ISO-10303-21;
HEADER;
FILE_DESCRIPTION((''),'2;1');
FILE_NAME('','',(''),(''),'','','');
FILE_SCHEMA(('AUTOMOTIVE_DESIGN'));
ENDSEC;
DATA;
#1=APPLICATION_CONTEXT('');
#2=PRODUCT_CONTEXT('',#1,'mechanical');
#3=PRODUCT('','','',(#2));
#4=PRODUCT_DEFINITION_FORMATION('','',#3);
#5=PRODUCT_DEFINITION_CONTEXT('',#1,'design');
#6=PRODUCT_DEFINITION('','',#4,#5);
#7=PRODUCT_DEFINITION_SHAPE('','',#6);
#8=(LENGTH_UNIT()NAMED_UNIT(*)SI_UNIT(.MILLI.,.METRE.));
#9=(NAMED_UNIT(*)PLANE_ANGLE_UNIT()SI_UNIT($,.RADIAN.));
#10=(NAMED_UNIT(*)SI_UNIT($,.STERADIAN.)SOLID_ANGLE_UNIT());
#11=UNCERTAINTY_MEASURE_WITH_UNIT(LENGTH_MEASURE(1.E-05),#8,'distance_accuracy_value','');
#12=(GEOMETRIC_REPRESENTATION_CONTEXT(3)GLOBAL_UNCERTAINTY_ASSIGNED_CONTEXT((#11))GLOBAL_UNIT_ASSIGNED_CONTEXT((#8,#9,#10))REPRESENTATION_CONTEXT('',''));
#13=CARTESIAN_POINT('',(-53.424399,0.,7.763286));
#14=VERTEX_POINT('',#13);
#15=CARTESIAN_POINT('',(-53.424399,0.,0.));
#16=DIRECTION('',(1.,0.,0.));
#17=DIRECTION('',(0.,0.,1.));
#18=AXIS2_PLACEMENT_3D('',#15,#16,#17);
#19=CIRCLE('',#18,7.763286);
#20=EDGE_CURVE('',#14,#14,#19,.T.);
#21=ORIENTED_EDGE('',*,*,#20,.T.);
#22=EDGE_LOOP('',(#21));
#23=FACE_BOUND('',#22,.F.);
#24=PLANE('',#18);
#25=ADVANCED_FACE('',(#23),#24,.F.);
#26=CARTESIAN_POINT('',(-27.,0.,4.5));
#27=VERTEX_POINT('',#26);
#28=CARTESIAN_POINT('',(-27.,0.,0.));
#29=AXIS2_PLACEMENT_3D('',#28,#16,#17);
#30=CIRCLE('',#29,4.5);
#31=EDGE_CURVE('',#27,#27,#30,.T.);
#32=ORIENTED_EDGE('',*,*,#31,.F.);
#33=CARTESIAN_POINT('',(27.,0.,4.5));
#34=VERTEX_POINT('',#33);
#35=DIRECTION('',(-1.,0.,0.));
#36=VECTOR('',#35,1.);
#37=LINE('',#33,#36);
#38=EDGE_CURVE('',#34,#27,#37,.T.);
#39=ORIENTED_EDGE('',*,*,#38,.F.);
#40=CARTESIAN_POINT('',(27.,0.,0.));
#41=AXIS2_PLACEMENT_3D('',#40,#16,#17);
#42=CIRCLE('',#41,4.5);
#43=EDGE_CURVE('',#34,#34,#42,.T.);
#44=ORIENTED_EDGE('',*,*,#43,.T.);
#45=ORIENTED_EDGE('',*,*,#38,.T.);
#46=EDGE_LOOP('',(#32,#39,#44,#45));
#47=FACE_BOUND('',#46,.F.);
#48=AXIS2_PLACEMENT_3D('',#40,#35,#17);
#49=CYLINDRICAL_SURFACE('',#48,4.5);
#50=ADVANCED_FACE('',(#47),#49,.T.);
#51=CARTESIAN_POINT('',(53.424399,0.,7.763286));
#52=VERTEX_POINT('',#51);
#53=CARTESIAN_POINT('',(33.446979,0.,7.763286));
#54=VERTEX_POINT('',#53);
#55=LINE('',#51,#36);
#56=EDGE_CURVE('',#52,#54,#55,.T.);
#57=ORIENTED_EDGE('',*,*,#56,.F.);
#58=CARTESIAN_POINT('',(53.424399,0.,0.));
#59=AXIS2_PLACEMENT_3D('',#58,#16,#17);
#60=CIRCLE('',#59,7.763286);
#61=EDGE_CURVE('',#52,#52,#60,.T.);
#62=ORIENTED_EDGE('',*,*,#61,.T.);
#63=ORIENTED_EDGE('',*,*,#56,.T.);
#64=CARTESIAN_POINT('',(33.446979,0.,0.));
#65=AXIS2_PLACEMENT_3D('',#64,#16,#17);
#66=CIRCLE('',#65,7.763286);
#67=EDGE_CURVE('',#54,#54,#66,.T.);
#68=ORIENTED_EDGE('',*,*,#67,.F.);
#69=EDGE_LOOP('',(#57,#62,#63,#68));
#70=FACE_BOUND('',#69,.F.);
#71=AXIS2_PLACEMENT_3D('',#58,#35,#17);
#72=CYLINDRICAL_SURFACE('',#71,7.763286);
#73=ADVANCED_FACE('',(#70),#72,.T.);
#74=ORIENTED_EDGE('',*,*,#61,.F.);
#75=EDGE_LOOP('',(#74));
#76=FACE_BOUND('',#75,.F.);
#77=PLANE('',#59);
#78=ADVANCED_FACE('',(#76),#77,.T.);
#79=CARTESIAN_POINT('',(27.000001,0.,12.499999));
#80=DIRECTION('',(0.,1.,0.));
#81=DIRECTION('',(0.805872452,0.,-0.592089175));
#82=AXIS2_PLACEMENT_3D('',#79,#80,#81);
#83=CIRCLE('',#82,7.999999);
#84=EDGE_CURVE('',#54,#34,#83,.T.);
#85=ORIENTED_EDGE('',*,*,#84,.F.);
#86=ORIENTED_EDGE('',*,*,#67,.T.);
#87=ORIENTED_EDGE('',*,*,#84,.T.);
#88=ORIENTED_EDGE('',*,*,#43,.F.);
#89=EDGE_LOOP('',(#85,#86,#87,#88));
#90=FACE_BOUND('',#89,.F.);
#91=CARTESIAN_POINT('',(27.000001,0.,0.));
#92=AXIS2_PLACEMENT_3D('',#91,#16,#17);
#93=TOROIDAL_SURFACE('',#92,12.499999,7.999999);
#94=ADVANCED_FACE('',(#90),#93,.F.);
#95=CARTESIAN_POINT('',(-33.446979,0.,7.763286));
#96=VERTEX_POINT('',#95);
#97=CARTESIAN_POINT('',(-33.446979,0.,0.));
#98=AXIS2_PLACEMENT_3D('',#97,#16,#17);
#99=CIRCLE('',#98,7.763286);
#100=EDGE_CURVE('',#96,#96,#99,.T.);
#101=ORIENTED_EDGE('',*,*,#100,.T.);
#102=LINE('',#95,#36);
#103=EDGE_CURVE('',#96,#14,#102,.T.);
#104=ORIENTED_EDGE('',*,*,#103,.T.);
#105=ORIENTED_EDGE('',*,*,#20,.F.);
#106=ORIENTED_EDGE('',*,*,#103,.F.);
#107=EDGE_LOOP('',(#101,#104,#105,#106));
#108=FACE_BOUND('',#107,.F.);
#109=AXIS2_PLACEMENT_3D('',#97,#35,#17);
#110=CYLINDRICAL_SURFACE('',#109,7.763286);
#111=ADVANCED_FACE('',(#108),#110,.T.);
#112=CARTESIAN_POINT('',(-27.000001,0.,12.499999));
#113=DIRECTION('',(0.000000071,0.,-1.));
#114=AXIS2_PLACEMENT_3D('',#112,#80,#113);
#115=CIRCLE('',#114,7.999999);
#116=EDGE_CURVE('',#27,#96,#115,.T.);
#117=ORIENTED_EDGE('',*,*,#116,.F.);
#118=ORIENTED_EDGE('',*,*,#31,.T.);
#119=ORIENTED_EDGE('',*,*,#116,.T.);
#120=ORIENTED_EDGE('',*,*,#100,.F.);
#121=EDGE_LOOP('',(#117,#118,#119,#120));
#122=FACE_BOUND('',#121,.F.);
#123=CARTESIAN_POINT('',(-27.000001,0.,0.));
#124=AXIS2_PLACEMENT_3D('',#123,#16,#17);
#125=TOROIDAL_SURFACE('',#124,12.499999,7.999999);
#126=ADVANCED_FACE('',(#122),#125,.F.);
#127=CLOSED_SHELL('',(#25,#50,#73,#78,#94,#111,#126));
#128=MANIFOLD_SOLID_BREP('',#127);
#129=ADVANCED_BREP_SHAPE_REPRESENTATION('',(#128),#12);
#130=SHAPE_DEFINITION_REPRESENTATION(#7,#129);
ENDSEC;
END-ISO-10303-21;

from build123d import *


with BuildPart() as f1:
    # F0 (on Front) → F1 (revolve)
    with BuildSketch(Plane.XZ):
        with BuildLine():
            Line((27, 4.5), (0, 4.5))
            Line((0, 4.5), (-27, 4.5))
            ThreePointArc((-27, 4.5), (-30.612913, 5.362293), (-33.446979, 7.763286))
            Line((-33.446979, 7.763286), (-53.424399, 7.763286))
            Line((-53.424399, 7.763286), (-53.424399, 0))
            Line((-53.424399, 0), (0, 0))
            Line((0, 0), (53.424399, 0))
            Line((53.424399, 0), (53.424399, 7.763286))
            Line((53.424399, 7.763286), (33.446979, 7.763286))
            ThreePointArc((33.446979, 7.763286), (30.612913, 5.362293), (27, 4.5))
        make_face()
    revolve(axis=Axis((-26.7122, 0, 0), (1, 0, 0)))


solid = f1.part
